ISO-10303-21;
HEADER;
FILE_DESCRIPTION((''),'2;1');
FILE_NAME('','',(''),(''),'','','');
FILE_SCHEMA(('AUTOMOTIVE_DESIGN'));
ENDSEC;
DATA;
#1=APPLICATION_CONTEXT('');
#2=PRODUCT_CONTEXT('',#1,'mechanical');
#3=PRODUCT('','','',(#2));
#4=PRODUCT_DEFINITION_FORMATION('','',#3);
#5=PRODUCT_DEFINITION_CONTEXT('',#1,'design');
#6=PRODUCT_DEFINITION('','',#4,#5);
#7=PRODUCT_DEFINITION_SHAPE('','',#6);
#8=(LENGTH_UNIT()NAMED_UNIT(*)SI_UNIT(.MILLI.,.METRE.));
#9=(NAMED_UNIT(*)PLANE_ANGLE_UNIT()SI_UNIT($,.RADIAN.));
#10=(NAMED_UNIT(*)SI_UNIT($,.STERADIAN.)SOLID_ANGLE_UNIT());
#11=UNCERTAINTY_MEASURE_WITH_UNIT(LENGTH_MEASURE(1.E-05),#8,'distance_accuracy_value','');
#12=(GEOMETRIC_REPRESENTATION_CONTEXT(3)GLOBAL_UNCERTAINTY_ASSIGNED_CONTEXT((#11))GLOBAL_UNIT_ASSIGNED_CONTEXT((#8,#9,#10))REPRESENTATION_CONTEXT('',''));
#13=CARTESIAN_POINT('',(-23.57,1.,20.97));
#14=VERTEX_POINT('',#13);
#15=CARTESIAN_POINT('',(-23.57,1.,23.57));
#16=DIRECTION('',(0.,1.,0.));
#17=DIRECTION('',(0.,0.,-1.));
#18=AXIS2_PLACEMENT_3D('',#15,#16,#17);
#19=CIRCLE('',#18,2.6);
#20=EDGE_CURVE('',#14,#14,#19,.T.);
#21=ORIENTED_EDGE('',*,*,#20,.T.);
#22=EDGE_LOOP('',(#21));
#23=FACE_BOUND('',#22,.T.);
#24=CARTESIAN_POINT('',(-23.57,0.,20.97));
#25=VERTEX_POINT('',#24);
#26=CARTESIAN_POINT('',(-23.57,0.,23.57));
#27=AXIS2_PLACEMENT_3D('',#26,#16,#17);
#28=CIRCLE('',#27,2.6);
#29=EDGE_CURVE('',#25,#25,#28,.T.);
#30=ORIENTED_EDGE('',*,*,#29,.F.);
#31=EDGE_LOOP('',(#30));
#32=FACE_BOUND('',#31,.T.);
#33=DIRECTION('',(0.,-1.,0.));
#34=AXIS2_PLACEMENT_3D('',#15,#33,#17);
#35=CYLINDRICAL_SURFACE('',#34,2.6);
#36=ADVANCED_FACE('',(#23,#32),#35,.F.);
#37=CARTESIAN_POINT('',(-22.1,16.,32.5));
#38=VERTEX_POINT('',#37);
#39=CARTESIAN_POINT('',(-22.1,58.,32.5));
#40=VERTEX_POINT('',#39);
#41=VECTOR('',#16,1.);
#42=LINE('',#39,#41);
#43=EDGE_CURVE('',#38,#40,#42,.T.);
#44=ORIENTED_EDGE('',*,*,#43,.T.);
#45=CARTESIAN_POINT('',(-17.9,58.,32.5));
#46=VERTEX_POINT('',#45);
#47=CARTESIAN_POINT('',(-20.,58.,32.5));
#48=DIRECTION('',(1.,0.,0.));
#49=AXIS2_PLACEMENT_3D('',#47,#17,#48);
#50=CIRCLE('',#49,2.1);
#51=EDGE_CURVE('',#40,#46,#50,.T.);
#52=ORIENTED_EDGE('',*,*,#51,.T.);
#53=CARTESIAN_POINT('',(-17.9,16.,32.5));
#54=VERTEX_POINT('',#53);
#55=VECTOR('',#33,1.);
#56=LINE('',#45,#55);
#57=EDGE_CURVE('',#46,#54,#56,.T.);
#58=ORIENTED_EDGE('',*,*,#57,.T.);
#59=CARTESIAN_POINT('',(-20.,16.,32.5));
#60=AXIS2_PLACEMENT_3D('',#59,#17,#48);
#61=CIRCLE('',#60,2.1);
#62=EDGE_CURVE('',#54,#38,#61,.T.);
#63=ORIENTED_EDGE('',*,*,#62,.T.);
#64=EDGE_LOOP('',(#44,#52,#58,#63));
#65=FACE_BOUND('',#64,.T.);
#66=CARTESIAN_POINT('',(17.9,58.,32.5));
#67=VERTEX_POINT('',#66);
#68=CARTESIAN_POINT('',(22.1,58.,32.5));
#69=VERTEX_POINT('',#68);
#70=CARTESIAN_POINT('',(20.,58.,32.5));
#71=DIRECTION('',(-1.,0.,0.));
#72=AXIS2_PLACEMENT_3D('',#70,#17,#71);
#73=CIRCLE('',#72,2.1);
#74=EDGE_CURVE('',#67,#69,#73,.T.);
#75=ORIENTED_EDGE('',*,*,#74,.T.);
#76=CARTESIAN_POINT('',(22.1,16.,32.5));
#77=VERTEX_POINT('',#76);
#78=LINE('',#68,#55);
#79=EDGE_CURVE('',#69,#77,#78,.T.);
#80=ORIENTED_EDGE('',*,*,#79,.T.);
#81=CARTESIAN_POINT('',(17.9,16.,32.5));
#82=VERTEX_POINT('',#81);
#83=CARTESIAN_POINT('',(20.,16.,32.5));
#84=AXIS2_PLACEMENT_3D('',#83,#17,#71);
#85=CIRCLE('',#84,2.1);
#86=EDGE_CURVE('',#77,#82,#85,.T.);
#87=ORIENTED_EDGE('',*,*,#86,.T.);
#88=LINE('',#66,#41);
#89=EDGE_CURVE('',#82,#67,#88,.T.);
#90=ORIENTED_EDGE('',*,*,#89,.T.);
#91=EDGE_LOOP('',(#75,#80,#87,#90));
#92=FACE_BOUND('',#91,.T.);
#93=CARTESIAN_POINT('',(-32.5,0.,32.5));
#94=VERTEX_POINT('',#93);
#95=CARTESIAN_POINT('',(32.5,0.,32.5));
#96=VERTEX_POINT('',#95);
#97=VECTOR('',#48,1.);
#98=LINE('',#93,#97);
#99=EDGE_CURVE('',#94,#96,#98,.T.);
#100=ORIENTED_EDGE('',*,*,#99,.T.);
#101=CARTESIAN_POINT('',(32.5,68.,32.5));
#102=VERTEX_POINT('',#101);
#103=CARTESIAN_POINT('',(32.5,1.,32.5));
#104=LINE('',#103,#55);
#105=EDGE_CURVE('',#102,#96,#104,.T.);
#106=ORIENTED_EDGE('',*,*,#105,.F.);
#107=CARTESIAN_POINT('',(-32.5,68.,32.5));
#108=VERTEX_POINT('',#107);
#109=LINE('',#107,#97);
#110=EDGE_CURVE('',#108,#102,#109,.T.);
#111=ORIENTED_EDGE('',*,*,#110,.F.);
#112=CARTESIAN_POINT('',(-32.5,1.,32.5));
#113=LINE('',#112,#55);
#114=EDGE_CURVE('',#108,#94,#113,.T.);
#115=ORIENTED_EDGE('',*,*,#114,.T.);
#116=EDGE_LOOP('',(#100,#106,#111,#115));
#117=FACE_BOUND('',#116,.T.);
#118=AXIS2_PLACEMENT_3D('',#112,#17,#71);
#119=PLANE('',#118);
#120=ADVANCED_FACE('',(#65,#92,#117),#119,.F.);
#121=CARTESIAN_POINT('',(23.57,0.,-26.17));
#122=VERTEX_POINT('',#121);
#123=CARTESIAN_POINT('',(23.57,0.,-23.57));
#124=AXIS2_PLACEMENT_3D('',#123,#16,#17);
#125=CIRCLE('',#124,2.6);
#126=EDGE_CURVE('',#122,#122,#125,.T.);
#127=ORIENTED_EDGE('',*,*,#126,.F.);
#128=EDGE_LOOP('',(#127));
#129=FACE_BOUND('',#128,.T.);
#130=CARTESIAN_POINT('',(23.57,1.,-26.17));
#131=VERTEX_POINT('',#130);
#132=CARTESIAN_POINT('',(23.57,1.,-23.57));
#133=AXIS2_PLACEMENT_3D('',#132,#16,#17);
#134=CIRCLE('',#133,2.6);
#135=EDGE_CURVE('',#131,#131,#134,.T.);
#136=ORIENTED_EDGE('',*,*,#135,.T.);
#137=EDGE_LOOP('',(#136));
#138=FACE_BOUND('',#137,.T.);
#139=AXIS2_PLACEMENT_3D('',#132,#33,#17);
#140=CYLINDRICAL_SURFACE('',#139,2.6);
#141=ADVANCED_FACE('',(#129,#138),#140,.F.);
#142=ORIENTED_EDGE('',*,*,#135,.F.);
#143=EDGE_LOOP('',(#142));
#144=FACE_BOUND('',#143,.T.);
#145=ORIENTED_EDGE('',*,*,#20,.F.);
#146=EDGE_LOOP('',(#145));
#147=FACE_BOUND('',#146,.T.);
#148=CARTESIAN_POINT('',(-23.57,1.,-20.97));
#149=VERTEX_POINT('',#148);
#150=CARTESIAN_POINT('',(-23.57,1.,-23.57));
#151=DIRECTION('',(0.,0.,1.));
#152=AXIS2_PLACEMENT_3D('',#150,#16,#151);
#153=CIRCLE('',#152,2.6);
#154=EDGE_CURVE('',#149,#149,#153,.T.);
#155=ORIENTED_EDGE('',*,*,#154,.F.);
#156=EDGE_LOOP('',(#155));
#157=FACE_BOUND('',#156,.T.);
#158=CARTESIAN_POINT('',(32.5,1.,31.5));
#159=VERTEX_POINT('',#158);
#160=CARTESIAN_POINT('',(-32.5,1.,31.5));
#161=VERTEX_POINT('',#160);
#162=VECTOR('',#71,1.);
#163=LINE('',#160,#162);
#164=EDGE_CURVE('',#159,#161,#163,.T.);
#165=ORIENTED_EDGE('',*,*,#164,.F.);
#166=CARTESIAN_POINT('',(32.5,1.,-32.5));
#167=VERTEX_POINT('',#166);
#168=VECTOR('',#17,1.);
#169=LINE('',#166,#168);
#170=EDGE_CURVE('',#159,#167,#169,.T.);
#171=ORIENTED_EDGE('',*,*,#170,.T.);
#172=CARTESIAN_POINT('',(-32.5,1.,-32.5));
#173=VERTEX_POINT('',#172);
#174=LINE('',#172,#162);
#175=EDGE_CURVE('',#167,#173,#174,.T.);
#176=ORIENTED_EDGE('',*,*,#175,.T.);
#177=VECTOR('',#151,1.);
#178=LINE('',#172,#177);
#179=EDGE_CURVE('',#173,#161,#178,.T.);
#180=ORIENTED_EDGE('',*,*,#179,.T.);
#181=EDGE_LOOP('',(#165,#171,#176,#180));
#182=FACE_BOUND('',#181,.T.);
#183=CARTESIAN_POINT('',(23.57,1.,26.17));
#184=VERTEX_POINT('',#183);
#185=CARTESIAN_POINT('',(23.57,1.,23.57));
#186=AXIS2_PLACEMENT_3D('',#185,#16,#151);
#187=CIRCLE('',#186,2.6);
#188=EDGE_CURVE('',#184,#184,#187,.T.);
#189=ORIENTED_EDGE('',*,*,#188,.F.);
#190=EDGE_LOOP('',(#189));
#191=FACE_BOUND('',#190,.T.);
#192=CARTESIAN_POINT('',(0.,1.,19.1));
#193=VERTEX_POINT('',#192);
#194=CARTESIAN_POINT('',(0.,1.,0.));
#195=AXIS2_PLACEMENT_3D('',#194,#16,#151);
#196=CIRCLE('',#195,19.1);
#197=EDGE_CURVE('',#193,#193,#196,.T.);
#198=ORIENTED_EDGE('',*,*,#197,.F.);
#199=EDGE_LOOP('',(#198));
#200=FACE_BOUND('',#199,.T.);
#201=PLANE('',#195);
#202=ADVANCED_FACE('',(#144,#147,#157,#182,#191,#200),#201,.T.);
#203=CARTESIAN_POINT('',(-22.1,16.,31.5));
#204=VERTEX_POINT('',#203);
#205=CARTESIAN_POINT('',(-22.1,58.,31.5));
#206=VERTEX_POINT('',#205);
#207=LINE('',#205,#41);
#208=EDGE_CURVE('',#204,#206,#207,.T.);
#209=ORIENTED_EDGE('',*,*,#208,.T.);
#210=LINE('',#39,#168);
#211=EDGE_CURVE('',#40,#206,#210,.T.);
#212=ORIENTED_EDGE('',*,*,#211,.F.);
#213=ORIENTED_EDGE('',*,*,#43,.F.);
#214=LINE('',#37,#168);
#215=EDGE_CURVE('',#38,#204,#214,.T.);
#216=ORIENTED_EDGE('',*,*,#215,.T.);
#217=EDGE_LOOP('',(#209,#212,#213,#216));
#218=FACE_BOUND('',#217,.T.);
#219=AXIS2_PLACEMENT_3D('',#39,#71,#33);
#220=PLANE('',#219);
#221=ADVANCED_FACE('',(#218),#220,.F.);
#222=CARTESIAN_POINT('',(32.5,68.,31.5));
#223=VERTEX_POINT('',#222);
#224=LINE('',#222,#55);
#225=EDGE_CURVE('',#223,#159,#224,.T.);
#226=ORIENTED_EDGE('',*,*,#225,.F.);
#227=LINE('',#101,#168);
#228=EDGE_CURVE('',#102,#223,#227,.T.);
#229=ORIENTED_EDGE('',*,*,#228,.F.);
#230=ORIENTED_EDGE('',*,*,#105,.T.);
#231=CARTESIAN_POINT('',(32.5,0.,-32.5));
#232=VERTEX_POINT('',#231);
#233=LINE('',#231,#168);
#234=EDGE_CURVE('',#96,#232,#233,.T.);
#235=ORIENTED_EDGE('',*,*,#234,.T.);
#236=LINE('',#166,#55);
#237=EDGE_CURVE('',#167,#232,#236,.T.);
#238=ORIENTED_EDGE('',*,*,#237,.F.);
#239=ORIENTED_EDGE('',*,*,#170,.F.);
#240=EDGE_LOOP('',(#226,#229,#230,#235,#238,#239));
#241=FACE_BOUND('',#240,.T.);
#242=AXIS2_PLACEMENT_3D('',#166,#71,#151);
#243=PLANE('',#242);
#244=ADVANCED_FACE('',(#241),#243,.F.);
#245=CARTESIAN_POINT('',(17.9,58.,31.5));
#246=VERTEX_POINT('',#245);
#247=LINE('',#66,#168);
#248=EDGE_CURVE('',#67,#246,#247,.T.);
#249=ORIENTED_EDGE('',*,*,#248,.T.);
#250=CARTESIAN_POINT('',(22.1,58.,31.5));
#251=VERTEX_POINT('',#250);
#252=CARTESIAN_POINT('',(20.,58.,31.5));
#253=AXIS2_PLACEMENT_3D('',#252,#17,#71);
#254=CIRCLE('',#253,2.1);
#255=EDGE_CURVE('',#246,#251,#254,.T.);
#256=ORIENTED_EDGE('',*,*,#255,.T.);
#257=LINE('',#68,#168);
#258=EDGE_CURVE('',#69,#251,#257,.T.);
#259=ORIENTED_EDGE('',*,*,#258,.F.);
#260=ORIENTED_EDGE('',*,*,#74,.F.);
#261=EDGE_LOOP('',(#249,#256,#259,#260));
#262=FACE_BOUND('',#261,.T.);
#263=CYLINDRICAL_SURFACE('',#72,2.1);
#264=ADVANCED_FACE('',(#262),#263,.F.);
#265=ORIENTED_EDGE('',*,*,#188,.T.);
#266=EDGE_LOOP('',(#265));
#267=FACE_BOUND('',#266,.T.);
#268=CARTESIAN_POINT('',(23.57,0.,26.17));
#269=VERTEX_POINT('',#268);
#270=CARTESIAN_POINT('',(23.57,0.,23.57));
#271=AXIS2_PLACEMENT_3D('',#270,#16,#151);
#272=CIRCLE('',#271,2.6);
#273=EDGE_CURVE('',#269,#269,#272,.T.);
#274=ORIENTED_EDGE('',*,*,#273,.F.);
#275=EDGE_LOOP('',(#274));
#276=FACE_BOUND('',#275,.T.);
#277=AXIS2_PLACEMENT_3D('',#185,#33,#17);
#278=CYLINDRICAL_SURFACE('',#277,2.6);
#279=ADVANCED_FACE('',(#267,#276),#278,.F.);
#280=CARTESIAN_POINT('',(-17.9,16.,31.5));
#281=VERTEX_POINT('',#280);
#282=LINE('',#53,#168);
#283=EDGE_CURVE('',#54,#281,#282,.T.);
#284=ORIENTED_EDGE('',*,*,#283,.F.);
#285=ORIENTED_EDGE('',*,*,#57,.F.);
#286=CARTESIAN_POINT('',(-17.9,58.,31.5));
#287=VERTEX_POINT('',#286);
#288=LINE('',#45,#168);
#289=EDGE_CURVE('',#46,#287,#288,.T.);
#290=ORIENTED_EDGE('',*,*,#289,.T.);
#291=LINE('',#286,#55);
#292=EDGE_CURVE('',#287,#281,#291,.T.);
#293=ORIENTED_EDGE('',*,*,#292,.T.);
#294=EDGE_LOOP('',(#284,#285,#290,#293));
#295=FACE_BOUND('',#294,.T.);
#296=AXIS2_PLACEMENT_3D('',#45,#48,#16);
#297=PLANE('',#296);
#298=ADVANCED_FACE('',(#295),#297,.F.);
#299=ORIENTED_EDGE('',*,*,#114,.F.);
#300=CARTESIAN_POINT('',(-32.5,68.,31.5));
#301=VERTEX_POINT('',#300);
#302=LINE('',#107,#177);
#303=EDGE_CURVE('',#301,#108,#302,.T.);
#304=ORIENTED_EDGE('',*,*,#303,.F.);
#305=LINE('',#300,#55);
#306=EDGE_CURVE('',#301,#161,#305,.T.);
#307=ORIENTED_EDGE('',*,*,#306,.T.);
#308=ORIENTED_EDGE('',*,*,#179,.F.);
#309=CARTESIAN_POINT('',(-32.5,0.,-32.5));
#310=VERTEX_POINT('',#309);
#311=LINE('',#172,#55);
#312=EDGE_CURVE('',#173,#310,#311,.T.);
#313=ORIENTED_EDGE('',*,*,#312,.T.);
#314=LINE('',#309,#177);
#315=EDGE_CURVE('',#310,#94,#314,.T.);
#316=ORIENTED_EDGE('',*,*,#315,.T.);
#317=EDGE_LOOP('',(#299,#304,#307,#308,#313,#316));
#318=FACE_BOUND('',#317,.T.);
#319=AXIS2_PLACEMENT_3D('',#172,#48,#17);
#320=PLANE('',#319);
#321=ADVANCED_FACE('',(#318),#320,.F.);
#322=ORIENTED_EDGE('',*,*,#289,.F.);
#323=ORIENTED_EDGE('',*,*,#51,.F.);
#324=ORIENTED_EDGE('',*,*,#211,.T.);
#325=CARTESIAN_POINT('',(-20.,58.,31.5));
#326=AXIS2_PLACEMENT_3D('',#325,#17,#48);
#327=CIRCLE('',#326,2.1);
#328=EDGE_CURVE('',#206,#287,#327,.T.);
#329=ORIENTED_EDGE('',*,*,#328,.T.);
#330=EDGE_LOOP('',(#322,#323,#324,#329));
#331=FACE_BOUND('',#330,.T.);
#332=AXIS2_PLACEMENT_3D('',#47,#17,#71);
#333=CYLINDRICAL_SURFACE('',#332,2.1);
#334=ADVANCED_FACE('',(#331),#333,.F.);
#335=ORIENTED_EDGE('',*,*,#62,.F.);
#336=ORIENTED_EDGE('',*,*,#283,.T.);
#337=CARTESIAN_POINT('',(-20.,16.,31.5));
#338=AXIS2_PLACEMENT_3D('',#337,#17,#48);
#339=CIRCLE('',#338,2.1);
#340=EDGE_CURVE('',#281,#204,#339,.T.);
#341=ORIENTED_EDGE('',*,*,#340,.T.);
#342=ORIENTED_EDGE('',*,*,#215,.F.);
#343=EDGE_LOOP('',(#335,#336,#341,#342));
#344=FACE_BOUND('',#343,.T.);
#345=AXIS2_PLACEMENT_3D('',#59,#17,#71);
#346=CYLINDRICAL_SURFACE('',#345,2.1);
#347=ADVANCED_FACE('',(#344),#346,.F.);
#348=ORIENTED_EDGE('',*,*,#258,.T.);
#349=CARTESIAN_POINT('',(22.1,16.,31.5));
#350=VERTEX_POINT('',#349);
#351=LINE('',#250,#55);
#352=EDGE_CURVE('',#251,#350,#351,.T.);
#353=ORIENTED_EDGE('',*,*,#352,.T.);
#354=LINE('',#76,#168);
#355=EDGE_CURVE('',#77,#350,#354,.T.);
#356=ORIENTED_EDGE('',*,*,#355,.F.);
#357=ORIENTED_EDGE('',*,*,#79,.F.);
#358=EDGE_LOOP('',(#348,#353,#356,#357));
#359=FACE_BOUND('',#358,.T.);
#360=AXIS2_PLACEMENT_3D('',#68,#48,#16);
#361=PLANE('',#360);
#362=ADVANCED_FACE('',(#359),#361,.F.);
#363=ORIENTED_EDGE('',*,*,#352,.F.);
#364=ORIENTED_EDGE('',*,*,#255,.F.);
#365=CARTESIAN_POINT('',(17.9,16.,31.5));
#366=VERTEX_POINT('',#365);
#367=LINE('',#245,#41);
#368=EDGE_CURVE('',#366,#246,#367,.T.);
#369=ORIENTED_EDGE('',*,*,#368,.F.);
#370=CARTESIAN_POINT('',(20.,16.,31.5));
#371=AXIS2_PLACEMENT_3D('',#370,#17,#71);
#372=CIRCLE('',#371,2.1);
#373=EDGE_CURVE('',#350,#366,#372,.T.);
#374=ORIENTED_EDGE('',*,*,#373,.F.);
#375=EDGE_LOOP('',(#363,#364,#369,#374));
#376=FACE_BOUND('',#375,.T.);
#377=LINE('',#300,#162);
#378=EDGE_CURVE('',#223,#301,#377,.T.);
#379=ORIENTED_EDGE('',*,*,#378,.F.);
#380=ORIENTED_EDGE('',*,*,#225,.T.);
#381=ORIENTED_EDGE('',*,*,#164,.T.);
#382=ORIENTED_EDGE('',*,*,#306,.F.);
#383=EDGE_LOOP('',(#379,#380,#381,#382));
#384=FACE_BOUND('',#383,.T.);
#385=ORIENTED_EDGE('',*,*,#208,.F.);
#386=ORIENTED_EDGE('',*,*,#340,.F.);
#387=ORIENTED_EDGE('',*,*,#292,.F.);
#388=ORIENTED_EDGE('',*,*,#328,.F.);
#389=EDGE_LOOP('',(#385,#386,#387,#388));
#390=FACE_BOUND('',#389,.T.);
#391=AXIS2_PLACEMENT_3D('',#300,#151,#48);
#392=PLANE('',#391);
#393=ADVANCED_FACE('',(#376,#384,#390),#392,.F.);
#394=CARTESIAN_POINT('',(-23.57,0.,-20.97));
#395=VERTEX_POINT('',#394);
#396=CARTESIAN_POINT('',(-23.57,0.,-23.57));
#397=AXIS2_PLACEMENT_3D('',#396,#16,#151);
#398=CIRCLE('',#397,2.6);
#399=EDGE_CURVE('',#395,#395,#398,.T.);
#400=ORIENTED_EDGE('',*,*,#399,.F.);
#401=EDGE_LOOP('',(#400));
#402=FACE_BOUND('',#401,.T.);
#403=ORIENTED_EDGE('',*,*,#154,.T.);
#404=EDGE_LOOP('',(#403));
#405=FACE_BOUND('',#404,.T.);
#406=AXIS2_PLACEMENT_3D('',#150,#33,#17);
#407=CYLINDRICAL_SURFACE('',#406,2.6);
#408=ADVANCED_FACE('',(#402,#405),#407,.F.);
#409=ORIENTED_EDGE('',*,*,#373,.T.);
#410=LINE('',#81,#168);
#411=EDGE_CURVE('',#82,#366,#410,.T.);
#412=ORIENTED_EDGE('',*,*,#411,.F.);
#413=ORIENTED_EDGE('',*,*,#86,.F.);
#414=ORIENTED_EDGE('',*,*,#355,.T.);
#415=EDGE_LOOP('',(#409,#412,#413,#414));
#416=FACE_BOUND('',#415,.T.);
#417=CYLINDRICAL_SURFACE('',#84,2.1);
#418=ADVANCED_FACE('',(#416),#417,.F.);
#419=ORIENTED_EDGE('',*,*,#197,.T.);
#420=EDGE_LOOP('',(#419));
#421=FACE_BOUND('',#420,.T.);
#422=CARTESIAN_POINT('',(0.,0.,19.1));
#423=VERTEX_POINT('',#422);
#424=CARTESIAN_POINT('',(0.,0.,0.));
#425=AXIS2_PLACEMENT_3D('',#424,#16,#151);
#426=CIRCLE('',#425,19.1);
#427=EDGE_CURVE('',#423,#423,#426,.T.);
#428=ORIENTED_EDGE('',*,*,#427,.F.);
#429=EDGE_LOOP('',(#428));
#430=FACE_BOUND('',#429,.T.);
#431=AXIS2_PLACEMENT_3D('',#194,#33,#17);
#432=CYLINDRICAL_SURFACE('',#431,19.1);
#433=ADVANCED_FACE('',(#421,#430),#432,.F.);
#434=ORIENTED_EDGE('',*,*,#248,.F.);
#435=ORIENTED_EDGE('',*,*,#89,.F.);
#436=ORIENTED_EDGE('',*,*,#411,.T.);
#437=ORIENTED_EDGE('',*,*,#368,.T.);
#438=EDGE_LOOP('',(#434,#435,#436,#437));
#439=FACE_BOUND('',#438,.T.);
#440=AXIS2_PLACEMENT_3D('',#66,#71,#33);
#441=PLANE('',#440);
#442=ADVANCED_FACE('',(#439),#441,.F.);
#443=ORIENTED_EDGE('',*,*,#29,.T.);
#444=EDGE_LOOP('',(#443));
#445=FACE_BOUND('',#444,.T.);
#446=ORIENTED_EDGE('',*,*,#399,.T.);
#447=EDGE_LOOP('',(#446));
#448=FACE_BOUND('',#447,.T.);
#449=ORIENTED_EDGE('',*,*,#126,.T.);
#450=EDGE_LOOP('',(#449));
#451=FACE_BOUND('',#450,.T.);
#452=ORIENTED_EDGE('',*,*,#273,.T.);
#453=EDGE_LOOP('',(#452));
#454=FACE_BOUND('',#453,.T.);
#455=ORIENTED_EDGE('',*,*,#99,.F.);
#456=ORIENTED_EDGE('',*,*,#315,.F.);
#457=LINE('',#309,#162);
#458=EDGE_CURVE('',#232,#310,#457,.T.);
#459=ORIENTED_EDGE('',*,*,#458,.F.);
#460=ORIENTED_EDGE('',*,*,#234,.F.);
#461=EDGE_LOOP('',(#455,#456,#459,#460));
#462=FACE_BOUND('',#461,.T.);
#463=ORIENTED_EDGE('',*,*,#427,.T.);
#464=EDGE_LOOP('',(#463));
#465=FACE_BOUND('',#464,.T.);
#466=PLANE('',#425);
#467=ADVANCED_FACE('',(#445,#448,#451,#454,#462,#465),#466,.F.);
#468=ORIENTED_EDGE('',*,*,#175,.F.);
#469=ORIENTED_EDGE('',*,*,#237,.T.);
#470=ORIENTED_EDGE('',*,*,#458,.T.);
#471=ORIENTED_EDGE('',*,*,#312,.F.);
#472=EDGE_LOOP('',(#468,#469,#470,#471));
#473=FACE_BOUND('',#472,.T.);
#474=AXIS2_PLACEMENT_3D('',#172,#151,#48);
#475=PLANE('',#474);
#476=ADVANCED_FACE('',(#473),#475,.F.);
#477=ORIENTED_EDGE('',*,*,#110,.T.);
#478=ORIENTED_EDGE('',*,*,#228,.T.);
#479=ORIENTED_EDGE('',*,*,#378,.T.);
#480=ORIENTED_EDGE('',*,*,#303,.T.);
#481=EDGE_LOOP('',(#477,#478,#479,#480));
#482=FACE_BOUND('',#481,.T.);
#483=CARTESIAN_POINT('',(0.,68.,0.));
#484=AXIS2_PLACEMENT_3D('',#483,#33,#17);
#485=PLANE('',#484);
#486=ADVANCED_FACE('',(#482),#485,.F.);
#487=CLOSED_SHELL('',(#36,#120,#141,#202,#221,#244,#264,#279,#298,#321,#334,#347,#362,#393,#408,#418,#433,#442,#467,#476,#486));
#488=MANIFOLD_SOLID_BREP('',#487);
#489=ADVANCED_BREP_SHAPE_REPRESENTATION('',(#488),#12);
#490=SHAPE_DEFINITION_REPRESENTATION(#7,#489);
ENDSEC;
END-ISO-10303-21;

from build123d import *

# Parameters (mm, degrees)
SKETCH_1_W          = 65
SKETCH_1_H          = 65
SKETCH_1_R          = 2.6
SKETCH_1_R_2        = 19.1
EXTRUDE_1_DEPTH     = 1
SKETCH_2_W          = 65
SKETCH_2_H          = 1
EXTRUDE_2_DEPTH     = 67
CUT_EXTRUDE_1_DEPTH = 99.874920986


with BuildPart() as part:
    # 草图1 → 凸台-拉伸1 (new body)
    with BuildSketch(Plane(origin=(0, 0, 0), x_dir=(1, 0, 0), z_dir=(0, 1, 0))):
        Rectangle(SKETCH_1_W, SKETCH_1_H)
        with Locations(Location((-23.57, 23.57, 0), (0, 0, 270))):
            Circle(SKETCH_1_R, mode=Mode.SUBTRACT)
        with Locations(Location((23.57, 23.57, 0), (0, 0, 90))):
            Circle(SKETCH_1_R, mode=Mode.SUBTRACT)
        with Locations(Location((23.57, -23.57, 0), (0, 0, 270))):
            Circle(SKETCH_1_R, mode=Mode.SUBTRACT)
        with Locations(Location((-23.57, -23.57, 0), (0, 0, 90))):
            Circle(SKETCH_1_R, mode=Mode.SUBTRACT)
        with Locations(Location((0, 0, 0), (0, 0, 270))):
            Circle(SKETCH_1_R_2, mode=Mode.SUBTRACT)
    extrude(amount=EXTRUDE_1_DEPTH)

    # 草图2 → 凸台-拉伸2 (add)
    with BuildSketch(Plane(origin=(0, 1, 0), x_dir=(1, 0, 0), z_dir=(0, 1, 0))):
        with Locations((0, -32)):
            Rectangle(SKETCH_2_W, SKETCH_2_H)
    extrude(amount=EXTRUDE_2_DEPTH)

    # 草图3 → 切除-拉伸1 (cut, through all)
    with BuildSketch(Plane(origin=(0, 0, 31.5), x_dir=(-1, 0, 0), z_dir=(0, 0, -1))):
        with BuildLine():
            Line((-17.9, 58), (-17.9, 16))
            ThreePointArc((-17.9, 16), (-20, 13.9), (-22.1, 16))
            Line((-22.1, 16), (-22.1, 58))
            ThreePointArc((-22.1, 58), (-20, 60.1), (-17.9, 58))
        make_face()
        with BuildLine():
            Line((17.9, 58), (17.9, 16))
            ThreePointArc((17.9, 16), (20, 13.9), (22.1, 16))
            Line((22.1, 16), (22.1, 58))
            ThreePointArc((22.1, 58), (20, 60.1), (17.9, 58))
        make_face()
    extrude(amount=-CUT_EXTRUDE_1_DEPTH, mode=Mode.SUBTRACT)


solid = part.part
